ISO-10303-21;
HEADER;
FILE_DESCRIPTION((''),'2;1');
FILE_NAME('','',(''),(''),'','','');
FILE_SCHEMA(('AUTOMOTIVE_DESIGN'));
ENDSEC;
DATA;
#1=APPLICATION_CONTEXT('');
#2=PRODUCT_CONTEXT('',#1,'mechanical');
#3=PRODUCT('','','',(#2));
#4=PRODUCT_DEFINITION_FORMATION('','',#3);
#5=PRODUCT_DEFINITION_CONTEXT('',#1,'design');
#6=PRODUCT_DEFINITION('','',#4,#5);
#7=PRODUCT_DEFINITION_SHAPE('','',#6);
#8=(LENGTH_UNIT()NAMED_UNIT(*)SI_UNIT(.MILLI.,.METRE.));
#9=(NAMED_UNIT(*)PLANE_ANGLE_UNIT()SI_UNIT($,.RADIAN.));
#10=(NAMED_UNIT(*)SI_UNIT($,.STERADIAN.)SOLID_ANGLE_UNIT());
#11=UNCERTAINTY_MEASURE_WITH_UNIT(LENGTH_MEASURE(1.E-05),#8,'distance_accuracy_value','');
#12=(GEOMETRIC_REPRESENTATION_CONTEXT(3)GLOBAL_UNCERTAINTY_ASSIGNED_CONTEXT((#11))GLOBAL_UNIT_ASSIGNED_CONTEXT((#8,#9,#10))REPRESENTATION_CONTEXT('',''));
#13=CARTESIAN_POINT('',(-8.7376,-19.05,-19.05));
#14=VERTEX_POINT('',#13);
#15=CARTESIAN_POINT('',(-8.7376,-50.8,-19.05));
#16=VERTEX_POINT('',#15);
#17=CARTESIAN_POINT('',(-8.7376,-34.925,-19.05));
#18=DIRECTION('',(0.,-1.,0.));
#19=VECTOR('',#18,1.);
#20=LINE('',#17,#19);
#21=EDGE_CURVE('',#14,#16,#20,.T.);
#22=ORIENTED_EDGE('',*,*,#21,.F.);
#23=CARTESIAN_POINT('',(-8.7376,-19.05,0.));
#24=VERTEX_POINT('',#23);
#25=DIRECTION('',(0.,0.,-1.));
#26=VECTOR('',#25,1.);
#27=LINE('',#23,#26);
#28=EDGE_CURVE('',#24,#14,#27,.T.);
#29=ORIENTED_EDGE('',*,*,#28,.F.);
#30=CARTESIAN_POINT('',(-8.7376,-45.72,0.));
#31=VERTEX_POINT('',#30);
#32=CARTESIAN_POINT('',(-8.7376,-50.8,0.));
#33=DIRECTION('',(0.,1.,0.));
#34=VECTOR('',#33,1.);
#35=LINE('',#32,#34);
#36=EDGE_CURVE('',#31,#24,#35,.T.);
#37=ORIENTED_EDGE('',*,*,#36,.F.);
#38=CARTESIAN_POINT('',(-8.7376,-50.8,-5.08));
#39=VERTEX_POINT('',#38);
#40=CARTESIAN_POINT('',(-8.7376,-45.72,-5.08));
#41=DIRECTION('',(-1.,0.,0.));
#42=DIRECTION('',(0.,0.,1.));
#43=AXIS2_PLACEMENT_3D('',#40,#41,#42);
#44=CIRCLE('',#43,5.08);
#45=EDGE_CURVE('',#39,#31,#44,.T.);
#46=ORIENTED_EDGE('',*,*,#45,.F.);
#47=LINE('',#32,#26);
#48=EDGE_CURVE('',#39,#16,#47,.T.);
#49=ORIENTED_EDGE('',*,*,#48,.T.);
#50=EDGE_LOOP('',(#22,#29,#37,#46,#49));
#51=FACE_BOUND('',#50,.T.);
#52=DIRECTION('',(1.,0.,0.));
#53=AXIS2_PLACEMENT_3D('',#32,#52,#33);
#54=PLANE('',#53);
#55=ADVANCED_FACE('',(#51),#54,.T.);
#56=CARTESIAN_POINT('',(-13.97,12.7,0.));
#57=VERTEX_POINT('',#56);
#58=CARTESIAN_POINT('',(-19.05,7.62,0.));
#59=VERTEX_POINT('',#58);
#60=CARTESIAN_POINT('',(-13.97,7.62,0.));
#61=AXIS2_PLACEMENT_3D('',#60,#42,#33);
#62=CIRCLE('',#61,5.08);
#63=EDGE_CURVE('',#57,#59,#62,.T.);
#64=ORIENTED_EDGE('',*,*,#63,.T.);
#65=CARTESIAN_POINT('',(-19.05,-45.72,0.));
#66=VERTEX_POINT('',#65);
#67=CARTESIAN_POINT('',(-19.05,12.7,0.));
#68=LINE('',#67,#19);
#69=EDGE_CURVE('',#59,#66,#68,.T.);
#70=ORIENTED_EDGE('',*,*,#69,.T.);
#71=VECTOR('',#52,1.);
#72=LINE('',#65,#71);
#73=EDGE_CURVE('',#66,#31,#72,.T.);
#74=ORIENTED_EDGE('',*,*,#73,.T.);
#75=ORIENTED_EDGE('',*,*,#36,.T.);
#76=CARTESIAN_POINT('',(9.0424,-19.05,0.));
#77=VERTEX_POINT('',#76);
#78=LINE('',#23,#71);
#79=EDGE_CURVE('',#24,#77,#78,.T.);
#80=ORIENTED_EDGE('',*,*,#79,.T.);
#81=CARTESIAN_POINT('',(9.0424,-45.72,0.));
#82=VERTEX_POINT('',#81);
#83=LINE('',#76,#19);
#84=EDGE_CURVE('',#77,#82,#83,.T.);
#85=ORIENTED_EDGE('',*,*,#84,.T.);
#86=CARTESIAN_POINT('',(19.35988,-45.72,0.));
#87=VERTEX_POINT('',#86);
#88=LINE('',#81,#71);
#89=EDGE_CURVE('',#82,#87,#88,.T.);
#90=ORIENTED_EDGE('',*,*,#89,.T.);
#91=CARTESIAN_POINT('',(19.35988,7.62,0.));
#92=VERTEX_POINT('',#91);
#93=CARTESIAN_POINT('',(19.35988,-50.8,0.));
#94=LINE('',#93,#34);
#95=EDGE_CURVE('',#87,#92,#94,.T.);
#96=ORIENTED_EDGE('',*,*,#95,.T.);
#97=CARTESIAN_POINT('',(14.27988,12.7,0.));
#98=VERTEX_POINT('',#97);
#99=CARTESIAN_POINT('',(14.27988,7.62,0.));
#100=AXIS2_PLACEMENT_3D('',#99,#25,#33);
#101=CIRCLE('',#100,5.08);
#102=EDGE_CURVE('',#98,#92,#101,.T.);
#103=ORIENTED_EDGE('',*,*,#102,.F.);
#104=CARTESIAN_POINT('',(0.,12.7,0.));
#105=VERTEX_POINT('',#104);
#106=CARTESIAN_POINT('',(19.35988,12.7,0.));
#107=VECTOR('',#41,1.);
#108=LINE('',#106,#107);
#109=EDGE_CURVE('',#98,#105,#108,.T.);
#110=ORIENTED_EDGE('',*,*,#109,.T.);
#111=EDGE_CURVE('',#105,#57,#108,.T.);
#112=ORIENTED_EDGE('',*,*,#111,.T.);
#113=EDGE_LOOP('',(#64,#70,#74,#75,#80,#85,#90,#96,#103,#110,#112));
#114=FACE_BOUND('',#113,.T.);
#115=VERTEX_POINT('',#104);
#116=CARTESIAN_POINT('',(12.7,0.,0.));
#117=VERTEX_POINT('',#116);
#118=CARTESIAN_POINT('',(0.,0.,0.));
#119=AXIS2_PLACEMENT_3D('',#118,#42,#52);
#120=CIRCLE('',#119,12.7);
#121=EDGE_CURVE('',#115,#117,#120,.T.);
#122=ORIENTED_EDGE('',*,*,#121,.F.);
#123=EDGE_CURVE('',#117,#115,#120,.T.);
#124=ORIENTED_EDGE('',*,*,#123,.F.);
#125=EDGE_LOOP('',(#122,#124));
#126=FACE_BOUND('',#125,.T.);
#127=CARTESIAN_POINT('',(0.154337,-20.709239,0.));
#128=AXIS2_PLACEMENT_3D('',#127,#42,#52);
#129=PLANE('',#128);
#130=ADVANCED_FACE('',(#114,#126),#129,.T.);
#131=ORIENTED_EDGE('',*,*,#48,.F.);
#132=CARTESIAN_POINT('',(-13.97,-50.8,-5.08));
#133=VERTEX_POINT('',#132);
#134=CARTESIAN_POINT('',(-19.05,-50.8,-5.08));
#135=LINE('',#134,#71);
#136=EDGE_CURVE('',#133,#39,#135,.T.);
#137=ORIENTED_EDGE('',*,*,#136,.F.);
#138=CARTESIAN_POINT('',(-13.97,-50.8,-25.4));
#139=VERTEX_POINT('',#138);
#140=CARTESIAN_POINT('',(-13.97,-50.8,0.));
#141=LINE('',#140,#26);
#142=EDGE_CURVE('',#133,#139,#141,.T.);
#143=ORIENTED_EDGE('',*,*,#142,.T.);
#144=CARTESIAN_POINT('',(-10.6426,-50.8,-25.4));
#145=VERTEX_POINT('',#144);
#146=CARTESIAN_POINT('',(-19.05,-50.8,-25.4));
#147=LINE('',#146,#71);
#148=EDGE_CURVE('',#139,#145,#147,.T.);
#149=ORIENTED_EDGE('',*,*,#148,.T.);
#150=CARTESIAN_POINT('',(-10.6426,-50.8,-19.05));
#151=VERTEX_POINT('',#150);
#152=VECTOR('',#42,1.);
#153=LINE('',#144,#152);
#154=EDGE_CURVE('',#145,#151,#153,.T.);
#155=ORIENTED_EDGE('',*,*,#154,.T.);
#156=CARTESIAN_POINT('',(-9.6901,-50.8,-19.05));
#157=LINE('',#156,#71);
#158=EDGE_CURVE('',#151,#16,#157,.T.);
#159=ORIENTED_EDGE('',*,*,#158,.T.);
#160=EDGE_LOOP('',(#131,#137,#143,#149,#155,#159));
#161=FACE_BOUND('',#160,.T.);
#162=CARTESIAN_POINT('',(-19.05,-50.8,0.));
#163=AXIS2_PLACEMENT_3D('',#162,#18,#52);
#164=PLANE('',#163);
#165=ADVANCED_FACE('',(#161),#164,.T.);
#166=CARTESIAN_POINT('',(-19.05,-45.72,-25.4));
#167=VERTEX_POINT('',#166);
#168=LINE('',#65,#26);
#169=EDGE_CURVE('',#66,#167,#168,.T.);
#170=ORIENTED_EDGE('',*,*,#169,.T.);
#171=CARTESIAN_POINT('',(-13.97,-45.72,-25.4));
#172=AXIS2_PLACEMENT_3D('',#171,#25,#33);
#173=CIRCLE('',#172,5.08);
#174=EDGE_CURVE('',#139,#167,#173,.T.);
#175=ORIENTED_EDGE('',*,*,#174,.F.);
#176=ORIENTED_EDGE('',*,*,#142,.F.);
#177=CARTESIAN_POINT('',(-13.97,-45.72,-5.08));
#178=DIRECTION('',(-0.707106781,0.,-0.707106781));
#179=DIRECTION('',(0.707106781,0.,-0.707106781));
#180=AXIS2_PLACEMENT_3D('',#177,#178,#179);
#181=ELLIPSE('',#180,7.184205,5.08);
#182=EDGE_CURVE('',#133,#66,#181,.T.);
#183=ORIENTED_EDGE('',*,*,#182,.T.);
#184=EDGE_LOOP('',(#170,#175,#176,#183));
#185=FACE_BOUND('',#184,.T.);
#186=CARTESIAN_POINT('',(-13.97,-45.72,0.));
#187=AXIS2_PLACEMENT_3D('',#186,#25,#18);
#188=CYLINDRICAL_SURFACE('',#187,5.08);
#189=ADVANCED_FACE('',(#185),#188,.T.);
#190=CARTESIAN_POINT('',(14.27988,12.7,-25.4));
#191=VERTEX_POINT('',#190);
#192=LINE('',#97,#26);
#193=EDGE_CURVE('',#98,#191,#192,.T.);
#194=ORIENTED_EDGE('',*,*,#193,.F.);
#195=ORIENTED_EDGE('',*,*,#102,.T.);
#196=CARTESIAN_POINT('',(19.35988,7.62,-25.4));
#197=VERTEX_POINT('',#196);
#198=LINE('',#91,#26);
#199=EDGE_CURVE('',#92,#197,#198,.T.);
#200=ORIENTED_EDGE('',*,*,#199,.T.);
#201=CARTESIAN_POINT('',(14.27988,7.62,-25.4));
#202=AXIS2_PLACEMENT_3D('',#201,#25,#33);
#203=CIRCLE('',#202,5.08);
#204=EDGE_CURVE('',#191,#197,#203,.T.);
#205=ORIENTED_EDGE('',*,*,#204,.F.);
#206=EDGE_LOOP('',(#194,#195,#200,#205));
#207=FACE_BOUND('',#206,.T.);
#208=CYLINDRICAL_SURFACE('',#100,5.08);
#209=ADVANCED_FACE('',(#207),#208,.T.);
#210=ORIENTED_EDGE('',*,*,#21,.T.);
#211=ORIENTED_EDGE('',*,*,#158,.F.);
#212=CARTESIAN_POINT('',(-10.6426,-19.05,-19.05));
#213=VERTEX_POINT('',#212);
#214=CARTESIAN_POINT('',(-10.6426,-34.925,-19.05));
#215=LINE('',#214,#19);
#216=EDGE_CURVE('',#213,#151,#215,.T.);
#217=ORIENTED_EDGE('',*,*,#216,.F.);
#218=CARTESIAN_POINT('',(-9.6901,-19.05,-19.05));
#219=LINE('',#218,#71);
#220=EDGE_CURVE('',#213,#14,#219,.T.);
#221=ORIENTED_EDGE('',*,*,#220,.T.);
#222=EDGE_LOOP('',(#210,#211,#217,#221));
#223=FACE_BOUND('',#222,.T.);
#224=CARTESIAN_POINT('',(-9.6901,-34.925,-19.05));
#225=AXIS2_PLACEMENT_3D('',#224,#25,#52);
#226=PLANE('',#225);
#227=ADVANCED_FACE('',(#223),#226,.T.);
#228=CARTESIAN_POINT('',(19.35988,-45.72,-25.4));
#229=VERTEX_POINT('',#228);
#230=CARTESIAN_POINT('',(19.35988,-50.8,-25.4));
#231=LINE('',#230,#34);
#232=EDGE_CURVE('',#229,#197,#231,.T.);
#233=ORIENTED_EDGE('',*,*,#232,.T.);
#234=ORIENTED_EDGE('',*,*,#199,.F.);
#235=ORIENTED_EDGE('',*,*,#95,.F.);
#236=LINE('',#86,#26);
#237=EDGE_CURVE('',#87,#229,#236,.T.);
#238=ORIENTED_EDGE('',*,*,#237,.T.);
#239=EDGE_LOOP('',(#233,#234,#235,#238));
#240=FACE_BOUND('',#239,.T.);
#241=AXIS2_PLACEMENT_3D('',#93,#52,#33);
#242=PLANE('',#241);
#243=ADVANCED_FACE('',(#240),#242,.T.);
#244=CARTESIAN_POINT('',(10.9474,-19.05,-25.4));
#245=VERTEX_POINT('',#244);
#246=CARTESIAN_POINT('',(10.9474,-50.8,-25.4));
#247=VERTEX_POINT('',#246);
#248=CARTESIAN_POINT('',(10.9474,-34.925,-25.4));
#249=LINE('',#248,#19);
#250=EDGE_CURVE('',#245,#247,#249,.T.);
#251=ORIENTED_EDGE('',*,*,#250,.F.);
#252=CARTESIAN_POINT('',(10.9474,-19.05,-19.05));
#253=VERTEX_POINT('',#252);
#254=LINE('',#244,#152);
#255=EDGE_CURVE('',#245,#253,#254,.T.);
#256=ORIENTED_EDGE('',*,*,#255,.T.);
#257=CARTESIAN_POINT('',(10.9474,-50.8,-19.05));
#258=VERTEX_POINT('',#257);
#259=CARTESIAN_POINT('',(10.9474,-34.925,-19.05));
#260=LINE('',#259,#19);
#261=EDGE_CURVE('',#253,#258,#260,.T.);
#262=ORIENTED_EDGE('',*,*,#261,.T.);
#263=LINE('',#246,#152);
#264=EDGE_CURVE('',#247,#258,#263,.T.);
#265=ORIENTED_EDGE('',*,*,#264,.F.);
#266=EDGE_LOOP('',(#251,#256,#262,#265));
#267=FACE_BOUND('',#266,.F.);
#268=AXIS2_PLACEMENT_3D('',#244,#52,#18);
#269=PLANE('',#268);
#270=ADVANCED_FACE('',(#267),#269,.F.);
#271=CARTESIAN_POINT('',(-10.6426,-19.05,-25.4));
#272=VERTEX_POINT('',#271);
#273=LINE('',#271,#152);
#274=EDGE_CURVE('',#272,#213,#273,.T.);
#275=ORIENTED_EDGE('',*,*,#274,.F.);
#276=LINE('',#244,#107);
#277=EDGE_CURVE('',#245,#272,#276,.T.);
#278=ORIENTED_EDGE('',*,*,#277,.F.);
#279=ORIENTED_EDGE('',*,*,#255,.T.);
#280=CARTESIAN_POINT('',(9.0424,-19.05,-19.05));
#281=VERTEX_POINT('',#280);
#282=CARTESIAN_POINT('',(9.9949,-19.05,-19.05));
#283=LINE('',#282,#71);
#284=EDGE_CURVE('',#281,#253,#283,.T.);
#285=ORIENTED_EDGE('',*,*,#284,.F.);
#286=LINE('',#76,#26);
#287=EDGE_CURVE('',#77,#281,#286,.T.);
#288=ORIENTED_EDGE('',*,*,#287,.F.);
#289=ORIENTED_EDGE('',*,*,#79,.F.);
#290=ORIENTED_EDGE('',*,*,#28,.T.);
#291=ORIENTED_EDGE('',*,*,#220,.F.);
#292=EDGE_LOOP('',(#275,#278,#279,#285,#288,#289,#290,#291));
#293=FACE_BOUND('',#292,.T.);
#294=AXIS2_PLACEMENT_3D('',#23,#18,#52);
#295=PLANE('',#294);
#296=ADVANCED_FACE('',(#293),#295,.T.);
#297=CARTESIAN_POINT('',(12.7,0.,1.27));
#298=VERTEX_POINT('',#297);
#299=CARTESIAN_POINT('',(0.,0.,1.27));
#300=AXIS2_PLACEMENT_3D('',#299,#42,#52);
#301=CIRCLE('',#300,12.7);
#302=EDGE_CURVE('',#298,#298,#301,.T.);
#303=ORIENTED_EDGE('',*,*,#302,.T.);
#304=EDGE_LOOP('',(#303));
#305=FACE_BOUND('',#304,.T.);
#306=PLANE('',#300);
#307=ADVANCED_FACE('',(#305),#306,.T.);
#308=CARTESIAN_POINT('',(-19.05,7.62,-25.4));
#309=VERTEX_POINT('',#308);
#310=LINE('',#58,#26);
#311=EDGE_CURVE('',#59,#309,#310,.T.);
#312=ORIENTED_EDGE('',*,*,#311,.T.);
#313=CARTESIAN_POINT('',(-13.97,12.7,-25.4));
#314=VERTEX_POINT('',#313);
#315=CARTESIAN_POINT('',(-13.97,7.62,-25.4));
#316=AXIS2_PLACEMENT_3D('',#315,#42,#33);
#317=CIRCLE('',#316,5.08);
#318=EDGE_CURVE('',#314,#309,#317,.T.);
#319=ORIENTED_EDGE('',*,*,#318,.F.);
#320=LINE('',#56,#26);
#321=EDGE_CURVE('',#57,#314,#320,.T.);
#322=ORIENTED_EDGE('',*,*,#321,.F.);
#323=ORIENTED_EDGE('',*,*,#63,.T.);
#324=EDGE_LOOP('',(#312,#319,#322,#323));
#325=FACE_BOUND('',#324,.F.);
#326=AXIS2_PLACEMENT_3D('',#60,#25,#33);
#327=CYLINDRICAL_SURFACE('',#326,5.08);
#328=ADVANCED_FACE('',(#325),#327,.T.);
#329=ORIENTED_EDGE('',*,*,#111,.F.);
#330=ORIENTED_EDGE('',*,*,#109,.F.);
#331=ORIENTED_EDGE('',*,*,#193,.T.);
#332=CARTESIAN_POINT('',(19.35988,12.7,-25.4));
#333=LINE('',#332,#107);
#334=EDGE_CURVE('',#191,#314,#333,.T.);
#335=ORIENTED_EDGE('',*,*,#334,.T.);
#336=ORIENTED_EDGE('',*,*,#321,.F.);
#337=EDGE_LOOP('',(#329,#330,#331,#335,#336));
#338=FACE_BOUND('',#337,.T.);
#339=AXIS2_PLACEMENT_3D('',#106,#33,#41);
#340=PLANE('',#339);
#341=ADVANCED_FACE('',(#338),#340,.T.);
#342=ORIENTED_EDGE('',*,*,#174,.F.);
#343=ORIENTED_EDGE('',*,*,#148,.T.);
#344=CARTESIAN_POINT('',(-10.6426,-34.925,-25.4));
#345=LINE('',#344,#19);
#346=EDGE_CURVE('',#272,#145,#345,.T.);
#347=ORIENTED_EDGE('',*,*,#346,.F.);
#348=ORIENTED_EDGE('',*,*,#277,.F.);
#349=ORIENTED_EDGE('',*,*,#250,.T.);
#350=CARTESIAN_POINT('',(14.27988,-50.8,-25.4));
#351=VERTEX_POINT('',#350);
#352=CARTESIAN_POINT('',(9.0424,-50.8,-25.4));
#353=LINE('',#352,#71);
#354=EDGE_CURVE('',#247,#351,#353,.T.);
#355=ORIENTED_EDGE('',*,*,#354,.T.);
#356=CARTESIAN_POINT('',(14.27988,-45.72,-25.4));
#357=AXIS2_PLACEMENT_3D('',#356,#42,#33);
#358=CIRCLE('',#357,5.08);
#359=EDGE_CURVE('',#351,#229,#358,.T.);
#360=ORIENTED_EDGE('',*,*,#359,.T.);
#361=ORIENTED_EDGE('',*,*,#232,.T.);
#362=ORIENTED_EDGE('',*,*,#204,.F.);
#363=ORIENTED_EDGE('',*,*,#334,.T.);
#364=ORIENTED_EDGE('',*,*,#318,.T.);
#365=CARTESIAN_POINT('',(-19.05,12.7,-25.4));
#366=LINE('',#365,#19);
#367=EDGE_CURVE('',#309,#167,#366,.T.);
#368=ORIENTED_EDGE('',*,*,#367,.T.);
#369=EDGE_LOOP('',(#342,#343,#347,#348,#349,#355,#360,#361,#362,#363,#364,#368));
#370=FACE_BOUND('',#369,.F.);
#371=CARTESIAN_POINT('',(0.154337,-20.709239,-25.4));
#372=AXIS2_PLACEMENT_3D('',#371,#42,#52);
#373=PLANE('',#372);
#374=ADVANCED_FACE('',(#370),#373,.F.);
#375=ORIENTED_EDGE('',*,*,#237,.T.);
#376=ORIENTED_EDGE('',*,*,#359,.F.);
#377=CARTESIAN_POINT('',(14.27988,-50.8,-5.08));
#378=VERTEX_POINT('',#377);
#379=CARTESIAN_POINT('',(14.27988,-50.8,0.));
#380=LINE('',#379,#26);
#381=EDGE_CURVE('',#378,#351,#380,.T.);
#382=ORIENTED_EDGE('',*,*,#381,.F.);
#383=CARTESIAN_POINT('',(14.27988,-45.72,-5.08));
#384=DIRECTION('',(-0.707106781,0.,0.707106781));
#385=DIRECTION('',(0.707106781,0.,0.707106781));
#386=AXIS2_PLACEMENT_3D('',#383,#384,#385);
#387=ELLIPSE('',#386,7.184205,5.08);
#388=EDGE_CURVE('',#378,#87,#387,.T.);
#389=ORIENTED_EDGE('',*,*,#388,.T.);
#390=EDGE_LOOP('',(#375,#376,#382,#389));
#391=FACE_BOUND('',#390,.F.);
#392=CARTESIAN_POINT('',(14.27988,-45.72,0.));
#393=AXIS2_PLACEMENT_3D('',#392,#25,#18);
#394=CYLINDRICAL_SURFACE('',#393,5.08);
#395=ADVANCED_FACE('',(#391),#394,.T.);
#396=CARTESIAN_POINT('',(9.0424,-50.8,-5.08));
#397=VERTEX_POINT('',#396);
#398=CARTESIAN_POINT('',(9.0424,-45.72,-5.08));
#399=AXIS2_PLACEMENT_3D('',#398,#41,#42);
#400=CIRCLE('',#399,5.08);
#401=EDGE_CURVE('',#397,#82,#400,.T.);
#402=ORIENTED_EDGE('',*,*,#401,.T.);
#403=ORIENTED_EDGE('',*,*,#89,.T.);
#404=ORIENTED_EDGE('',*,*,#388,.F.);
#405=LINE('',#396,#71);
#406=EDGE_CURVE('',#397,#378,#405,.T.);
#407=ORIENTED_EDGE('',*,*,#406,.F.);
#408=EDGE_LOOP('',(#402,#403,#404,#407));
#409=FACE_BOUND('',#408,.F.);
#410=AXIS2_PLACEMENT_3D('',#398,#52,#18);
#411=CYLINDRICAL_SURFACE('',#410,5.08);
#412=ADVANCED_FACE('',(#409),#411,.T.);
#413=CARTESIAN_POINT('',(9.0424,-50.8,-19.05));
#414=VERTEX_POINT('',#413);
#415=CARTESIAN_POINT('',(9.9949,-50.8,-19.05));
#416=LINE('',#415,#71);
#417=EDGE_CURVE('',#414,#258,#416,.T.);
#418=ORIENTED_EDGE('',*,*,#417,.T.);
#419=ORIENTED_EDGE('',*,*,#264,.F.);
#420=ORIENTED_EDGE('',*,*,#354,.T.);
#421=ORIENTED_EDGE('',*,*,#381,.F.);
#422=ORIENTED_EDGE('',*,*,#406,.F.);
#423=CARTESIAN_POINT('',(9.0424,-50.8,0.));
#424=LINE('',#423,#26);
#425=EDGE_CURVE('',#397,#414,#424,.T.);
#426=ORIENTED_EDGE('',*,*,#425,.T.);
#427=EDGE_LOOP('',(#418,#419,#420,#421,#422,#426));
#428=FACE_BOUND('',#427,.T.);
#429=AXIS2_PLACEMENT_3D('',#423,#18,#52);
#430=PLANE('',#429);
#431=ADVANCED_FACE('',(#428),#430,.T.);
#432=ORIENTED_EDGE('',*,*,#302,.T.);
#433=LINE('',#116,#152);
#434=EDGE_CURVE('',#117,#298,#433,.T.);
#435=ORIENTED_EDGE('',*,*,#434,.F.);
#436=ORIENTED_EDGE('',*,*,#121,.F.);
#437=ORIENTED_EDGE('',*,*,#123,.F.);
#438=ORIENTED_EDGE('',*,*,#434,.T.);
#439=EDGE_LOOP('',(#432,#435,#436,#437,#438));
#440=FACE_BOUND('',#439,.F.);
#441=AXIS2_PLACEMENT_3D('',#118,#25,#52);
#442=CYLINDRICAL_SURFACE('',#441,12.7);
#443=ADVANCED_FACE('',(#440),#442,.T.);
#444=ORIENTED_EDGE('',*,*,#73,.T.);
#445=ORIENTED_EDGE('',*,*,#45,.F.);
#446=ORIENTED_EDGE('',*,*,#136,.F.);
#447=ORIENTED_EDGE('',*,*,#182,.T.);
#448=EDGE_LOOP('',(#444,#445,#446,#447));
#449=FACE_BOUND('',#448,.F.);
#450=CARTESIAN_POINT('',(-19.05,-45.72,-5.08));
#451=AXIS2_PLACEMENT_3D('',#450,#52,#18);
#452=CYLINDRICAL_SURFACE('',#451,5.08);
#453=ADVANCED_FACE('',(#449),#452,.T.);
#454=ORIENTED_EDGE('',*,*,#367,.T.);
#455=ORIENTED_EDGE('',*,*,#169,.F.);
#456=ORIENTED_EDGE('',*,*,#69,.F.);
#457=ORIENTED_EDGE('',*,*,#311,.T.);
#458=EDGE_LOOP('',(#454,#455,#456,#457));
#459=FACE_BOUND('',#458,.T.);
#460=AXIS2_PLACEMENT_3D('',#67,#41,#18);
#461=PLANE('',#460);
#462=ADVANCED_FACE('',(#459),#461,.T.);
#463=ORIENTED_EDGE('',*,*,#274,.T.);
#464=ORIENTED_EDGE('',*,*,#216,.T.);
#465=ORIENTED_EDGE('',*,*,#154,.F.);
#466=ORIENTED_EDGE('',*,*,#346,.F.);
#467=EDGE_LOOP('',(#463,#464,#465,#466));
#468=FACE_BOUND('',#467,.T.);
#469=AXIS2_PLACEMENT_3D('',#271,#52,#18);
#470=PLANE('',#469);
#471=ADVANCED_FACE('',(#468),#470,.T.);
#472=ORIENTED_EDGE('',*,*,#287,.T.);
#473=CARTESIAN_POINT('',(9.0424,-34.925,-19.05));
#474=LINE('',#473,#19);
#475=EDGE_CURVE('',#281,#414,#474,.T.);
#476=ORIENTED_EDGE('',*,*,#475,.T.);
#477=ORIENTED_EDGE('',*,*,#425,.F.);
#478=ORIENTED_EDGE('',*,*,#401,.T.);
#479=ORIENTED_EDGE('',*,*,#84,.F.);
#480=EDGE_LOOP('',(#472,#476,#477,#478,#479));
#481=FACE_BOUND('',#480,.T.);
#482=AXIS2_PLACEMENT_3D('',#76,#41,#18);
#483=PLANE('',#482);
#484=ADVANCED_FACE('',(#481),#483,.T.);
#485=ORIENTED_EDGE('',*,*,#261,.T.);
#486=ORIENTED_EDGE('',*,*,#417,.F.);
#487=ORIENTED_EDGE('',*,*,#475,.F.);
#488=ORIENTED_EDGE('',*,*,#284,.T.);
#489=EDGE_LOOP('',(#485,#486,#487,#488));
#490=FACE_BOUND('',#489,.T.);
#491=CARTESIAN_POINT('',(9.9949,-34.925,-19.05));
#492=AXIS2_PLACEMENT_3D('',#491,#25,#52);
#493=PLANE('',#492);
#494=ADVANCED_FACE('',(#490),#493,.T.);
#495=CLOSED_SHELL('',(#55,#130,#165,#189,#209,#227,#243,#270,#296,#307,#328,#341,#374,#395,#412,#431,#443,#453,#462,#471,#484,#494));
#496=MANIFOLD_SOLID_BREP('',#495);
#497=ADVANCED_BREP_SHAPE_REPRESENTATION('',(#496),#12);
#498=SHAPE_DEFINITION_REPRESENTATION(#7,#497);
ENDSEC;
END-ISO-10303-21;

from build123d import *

# Parameters (mm, degrees)
F0_R     = 12.7
F1_DEPTH = 1.27
F3_DEPTH = 25.4
F5_W     = 1.905
F5_H     = 31.75
F6_DEPTH = 6.35
F7_R     = 5.08


with BuildPart() as f1:
    # F0 (on Top) → F1 (new body)
    with BuildSketch(Plane.XY):
        Circle(F0_R)
    extrude(amount=F1_DEPTH)

    # F2 (on Top) → F3 (join)
    with BuildSketch(Plane.XY):
        Polygon((19.35988, 12.7), (-19.05, 12.7), (-19.05, -50.8), (-8.7376, -50.8), (-8.7376, -19.05), (9.0424, -19.05), (9.0424, -50.8), (19.35988, -50.8), align=None)
    extrude(amount=-F3_DEPTH)

    # F5 (on face) → F6 (cut)
    with BuildSketch(Plane(origin=(0, 0, -25.4), x_dir=(1, 0, 0), z_dir=(0, 0, -1))):
        with Locations((-9.6901, 34.925)):
            Rectangle(F5_W, F5_H)
        with Locations((9.9949, 34.925)):
            Rectangle(F5_W, F5_H)
    extrude(amount=-F6_DEPTH, mode=Mode.SUBTRACT)

    # F7
    f7_edges = [f1.edges().sort_by_distance(p)[0] for p in [
        (-13.8938, -50.8, 0),
        (-19.05, -50.8, -12.7),
        (14.20114, -50.8, 0),
        (19.35988, -50.8, -12.7),
        (19.35988, 12.7, -12.7),
        (-19.05, 12.7, -12.7),
    ]]
    fillet(f7_edges, radius=F7_R)


solid = f1.part
